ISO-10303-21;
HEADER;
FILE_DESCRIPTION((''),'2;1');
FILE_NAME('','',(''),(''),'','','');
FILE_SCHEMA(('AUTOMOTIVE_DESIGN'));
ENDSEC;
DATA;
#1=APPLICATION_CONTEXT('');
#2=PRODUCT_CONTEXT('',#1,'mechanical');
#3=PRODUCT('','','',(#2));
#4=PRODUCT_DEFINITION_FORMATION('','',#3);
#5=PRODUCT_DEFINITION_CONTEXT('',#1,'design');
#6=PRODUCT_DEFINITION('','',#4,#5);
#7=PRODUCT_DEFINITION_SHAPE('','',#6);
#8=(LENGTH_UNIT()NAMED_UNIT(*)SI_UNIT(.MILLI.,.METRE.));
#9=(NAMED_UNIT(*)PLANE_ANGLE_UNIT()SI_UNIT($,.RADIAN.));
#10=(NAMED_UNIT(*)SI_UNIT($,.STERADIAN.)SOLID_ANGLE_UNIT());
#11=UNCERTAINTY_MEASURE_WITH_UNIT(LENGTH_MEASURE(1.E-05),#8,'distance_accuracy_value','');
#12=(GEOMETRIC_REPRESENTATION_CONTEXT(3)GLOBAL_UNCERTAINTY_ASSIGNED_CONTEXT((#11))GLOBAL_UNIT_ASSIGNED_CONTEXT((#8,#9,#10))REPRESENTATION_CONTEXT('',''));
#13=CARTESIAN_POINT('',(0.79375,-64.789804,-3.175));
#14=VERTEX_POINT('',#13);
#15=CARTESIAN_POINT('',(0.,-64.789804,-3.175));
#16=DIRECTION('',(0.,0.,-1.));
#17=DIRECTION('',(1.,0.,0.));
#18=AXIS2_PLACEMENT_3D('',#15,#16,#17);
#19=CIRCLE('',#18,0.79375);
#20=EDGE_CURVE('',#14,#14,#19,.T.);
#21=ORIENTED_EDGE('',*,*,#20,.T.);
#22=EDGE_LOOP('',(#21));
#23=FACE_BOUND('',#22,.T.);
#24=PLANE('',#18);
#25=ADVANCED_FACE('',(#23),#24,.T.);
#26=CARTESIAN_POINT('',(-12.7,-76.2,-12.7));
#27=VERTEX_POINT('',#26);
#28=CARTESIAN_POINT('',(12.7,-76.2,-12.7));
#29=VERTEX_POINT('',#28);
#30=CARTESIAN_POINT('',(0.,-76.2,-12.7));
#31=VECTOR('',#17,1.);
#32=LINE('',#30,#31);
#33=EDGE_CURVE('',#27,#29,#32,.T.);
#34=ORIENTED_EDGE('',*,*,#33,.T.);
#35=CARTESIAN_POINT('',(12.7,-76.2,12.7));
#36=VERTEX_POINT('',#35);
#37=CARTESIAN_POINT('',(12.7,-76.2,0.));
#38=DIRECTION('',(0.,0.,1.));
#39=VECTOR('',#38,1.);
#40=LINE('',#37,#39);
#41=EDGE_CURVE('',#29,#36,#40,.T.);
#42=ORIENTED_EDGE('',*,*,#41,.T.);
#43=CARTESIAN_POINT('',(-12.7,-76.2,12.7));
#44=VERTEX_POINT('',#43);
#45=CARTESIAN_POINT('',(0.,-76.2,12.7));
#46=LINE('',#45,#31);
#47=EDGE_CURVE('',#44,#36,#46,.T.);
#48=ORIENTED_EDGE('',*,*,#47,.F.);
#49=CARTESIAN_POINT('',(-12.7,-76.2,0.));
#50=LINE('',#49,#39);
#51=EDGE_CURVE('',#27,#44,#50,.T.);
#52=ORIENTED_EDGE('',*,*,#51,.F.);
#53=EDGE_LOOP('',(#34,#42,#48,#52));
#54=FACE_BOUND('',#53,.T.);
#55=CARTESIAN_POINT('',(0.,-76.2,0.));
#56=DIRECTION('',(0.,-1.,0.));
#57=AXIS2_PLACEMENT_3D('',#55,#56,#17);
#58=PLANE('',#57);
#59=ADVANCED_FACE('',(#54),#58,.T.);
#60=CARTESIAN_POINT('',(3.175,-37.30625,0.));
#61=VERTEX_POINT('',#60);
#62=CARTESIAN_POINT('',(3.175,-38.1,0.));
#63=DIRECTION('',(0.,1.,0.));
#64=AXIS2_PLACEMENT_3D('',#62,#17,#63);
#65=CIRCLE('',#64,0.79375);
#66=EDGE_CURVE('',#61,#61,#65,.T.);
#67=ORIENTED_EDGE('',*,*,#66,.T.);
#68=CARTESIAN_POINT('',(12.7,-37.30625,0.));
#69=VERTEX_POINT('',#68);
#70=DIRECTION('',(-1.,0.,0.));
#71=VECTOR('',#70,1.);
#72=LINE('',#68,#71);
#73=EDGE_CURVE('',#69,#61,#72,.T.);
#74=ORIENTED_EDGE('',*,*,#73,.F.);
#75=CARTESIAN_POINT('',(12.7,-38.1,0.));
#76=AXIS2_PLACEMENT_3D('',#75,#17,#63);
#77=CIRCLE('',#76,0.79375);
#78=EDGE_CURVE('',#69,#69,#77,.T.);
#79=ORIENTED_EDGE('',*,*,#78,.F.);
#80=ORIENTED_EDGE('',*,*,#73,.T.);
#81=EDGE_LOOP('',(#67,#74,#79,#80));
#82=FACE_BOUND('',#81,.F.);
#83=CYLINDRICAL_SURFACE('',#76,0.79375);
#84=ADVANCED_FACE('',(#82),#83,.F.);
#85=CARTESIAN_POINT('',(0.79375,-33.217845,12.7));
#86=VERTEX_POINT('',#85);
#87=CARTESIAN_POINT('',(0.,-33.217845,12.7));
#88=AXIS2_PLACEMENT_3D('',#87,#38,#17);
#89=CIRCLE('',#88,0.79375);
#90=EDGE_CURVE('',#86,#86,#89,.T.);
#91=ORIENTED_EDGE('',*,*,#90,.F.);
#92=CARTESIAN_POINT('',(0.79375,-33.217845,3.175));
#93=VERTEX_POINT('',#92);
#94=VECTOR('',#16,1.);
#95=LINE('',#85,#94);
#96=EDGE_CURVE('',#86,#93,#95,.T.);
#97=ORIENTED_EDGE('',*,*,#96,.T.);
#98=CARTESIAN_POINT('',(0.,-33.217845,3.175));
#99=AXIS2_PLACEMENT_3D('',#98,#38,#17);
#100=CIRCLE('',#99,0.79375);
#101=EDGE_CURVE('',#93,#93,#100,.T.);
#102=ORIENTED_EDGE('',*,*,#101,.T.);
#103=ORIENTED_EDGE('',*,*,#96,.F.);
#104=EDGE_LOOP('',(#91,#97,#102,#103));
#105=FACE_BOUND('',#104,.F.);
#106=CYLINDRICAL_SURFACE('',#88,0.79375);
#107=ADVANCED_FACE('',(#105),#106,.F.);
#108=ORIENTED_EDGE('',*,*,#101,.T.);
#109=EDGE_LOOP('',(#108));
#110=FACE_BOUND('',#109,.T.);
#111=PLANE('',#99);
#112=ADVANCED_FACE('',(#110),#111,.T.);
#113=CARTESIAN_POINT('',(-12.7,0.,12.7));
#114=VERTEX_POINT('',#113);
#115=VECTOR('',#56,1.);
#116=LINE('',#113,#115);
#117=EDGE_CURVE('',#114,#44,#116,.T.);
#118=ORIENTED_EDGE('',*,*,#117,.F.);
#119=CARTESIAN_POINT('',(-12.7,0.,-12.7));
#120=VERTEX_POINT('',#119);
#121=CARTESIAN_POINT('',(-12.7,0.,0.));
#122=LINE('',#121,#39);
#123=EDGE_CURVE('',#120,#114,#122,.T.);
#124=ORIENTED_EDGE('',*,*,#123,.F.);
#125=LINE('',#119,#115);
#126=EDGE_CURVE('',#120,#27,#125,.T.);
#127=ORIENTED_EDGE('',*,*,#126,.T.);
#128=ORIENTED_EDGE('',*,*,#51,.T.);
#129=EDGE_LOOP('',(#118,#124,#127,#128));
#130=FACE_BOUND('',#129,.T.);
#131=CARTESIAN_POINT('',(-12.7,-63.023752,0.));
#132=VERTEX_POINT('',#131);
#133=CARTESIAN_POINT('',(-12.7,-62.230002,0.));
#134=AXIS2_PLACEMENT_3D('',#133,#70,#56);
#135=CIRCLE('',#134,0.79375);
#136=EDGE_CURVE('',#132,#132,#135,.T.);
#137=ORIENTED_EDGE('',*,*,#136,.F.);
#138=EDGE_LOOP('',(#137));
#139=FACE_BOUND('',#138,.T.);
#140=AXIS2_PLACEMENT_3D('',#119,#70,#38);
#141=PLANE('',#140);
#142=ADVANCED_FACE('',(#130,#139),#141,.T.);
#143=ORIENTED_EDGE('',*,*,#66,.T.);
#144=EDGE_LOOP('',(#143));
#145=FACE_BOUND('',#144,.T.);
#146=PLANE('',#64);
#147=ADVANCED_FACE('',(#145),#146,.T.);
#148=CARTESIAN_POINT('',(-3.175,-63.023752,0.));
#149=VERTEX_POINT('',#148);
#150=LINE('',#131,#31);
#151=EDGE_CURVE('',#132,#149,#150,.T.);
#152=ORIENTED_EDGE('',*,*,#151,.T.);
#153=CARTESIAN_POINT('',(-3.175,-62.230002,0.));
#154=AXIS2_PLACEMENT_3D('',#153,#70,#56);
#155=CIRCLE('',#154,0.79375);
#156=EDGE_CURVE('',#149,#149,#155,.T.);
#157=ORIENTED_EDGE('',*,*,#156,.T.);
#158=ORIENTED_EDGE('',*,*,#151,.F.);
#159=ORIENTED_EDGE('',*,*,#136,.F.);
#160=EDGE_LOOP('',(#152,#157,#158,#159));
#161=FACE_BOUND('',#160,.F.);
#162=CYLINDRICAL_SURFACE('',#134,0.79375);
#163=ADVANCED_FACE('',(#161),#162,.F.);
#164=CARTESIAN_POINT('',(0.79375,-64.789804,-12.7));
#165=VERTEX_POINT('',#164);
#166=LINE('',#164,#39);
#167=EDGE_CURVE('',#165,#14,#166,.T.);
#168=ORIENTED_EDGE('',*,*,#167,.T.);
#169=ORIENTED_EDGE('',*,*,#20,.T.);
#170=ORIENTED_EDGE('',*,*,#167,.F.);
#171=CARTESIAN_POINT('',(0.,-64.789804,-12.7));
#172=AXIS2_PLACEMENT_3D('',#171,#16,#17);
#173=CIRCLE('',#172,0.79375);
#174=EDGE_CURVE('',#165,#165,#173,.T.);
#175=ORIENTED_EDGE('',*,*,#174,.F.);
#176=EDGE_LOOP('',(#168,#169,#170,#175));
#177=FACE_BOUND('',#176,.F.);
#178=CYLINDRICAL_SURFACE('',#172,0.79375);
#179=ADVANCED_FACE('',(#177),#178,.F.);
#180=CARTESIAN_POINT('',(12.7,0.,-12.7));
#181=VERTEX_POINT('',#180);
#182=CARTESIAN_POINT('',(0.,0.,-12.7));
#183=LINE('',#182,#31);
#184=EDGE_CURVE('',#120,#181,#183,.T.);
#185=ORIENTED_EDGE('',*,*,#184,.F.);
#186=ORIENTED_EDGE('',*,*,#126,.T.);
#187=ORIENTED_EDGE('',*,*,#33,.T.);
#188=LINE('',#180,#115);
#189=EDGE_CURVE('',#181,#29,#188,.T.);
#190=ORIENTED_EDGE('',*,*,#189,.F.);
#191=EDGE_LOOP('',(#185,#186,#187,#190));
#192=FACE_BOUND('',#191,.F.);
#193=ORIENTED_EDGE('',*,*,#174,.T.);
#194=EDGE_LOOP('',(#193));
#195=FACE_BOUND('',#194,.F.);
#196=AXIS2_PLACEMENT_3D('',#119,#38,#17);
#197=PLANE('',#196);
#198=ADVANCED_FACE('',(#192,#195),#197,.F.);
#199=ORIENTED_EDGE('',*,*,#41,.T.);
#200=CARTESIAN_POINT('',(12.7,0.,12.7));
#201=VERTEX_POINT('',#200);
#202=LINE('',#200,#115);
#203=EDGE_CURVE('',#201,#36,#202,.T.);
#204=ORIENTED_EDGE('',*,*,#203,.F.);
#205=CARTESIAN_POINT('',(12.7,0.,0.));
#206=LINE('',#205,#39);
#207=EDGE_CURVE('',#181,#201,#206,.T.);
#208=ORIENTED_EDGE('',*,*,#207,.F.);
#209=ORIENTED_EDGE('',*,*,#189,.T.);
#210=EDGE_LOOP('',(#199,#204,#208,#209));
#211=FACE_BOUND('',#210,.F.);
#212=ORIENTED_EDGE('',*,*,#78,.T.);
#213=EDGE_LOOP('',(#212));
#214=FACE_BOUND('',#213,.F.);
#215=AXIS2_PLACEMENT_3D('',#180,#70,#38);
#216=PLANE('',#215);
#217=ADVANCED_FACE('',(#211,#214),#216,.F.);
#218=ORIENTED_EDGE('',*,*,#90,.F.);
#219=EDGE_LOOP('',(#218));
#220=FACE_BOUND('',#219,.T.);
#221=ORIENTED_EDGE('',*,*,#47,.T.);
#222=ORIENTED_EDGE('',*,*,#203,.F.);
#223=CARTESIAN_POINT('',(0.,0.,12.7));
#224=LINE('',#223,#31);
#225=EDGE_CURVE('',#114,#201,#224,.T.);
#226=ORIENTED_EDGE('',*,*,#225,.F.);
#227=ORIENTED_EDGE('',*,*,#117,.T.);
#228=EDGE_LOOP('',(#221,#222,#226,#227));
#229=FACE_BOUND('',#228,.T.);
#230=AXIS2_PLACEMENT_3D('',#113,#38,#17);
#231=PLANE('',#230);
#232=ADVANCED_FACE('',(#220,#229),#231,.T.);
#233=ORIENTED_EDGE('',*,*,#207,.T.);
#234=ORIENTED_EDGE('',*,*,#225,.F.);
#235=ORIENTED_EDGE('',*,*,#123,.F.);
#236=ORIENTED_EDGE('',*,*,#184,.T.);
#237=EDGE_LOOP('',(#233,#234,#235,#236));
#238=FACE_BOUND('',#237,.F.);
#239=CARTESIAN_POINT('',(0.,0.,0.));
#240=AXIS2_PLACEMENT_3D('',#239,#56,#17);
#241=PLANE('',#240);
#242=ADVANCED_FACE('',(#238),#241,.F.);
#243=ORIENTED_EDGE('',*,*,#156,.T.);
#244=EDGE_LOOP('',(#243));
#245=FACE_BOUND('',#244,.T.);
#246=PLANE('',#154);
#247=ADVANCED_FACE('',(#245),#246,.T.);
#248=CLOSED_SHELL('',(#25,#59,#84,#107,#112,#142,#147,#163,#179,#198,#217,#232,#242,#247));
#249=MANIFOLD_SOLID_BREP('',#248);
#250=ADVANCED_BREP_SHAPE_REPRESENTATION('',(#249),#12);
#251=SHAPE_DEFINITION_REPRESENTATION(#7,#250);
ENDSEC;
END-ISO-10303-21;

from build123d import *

# Parameters (mm, degrees)
F0_W     = 25.4
F0_H     = 25.4
F1_DEPTH = 76.2
F2_R     = 0.79375
F3_DEPTH = 9.525
F4_R     = 0.79375
F5_DEPTH = 9.525
F6_R     = 0.79375
F7_DEPTH = 9.525
F8_R     = 0.79375
F9_DEPTH = 9.525


with BuildPart() as f1:
    # F0 (on Front) → F1 (new body)
    with BuildSketch(Plane.XZ):
        Rectangle(F0_W, F0_H)
    extrude(amount=F1_DEPTH)

    # F2 (on face) → F3 (cut)
    with BuildSketch(Plane.XY.offset(12.7)):
        with Locations((0, -33.217845)):
            Circle(F2_R)
    extrude(amount=-F3_DEPTH, mode=Mode.SUBTRACT)

    # F4 (on face) → F5 (cut)
    with BuildSketch(Plane.YZ.offset(12.7)):
        with Locations((-38.1, 0)):
            Circle(F4_R)
    extrude(amount=-F5_DEPTH, mode=Mode.SUBTRACT)

    # F6 (on face) → F7 (cut)
    with BuildSketch(Plane(origin=(0, 0, -12.7), x_dir=(1, 0, 0), z_dir=(0, 0, -1))):
        with Locations((0, 64.789804)):
            Circle(F6_R)
    extrude(amount=-F7_DEPTH, mode=Mode.SUBTRACT)

    # F8 (on face) → F9 (cut)
    with BuildSketch(Plane(origin=(-12.7, 0, 0), x_dir=(0, -1, 0), z_dir=(-1, 0, 0))):
        with Locations((62.230002, 0)):
            Circle(F8_R)
    extrude(amount=-F9_DEPTH, mode=Mode.SUBTRACT)


solid = f1.part
